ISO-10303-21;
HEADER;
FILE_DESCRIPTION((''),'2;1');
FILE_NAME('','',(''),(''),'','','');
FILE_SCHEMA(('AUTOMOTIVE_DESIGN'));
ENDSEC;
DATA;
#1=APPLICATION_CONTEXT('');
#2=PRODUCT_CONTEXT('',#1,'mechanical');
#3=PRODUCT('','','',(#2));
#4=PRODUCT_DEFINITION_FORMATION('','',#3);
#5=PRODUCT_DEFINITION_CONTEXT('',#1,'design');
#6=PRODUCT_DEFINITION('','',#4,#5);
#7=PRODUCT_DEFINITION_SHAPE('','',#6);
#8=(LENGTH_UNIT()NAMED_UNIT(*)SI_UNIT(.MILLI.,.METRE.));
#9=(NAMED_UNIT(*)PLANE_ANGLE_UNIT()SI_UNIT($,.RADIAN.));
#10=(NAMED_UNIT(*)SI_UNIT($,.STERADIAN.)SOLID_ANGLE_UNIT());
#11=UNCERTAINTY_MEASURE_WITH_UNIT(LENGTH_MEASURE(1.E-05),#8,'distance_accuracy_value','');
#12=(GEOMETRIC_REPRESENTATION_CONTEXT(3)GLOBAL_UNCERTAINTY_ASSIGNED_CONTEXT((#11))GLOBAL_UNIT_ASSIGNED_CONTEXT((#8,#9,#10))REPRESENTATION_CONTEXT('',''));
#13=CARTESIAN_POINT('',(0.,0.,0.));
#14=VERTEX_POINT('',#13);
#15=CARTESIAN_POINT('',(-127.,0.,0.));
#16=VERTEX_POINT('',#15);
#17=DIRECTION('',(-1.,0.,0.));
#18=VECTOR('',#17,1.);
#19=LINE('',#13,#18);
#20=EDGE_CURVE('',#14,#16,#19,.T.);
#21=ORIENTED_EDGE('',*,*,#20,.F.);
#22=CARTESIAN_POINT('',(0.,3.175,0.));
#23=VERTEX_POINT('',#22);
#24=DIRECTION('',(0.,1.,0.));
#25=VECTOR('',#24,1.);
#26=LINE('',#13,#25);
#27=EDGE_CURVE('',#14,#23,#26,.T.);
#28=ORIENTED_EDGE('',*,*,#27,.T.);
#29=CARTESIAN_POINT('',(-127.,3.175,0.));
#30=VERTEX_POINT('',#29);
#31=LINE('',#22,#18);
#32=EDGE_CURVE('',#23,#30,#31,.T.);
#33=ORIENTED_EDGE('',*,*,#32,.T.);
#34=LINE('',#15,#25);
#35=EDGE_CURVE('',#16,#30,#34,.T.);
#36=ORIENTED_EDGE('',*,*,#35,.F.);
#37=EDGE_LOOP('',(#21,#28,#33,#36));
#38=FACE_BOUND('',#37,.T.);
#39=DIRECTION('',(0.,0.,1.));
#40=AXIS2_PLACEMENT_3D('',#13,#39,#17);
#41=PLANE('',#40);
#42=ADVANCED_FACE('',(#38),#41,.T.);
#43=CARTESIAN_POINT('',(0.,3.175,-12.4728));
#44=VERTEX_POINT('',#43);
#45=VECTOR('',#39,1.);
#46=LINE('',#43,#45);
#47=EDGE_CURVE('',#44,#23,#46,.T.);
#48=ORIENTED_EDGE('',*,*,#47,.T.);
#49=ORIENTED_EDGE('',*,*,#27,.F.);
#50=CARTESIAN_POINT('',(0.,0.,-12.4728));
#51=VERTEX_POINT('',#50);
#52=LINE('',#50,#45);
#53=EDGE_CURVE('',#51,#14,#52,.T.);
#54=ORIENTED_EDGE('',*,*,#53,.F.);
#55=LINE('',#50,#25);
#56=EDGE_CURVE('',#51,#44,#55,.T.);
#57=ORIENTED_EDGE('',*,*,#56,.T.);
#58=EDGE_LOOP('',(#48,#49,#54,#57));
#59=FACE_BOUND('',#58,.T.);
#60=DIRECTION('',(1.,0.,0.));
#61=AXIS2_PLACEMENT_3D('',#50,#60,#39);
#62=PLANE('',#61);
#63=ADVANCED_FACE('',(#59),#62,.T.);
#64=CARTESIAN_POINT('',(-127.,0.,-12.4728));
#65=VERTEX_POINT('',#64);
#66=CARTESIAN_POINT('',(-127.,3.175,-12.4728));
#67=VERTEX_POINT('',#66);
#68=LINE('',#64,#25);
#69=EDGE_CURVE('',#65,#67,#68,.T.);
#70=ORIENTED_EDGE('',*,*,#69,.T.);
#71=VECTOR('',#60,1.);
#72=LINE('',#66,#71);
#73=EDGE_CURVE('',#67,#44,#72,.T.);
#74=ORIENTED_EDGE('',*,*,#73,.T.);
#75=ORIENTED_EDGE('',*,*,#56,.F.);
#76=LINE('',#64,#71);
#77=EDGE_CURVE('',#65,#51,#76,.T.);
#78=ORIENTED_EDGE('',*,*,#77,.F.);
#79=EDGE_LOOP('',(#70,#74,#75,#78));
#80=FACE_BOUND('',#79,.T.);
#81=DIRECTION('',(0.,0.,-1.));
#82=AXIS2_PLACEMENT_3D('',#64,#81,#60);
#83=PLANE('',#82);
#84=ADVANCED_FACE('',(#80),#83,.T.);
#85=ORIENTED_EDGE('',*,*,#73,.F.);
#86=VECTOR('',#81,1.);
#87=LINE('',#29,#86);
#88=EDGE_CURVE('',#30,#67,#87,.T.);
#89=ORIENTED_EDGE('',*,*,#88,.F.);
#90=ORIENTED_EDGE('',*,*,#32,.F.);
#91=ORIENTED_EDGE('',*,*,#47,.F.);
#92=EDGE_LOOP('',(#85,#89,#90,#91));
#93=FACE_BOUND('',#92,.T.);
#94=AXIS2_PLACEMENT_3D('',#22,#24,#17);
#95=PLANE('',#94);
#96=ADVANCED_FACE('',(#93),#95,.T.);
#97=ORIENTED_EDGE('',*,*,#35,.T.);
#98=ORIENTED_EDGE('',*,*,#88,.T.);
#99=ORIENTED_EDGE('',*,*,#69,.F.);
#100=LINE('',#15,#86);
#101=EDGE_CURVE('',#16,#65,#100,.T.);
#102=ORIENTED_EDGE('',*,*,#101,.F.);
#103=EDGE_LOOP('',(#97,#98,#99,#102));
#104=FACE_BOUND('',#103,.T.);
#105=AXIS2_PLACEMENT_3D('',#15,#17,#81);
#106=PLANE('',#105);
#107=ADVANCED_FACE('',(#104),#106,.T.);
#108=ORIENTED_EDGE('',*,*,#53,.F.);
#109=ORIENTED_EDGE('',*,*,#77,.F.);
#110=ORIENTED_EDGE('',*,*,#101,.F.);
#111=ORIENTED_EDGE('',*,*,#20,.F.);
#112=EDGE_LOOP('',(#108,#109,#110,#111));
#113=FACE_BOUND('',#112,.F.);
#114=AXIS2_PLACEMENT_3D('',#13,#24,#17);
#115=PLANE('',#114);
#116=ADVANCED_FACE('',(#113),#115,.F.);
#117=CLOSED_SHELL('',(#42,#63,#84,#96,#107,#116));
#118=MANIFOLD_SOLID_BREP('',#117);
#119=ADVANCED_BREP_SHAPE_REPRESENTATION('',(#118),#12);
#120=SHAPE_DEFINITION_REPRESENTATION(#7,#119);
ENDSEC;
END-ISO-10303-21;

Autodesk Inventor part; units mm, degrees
ref_plane "YZ Plane" through (0, 0, 0) normal (1, 0, 0) x (0, 1, 0)
ref_plane "XZ Plane" through (0, 0, 0) normal (0, 1, 0) x (-1, 0, 0)
ref_plane "XY Plane" through (0, 0, 0) normal (0, 0, 1) x (1, 0, 0)
sketch "Sketch1" plane through (0, 0, 0) normal (0, 1, 0) x (-1, 0, 0)
  line L0 (0, 0) -> (127, 0)
  line L1 (127, 0) -> (127, -12.4728)
  line L2 (127, -12.4728) -> (0, -12.4728)
  line L3 (0, -12.4728) -> (0, 0)
  dimension "d0" = 127
extrude "Extrusion1" add sketch "Sketch1" along normal blind 3.175
properties part number "meh2"
